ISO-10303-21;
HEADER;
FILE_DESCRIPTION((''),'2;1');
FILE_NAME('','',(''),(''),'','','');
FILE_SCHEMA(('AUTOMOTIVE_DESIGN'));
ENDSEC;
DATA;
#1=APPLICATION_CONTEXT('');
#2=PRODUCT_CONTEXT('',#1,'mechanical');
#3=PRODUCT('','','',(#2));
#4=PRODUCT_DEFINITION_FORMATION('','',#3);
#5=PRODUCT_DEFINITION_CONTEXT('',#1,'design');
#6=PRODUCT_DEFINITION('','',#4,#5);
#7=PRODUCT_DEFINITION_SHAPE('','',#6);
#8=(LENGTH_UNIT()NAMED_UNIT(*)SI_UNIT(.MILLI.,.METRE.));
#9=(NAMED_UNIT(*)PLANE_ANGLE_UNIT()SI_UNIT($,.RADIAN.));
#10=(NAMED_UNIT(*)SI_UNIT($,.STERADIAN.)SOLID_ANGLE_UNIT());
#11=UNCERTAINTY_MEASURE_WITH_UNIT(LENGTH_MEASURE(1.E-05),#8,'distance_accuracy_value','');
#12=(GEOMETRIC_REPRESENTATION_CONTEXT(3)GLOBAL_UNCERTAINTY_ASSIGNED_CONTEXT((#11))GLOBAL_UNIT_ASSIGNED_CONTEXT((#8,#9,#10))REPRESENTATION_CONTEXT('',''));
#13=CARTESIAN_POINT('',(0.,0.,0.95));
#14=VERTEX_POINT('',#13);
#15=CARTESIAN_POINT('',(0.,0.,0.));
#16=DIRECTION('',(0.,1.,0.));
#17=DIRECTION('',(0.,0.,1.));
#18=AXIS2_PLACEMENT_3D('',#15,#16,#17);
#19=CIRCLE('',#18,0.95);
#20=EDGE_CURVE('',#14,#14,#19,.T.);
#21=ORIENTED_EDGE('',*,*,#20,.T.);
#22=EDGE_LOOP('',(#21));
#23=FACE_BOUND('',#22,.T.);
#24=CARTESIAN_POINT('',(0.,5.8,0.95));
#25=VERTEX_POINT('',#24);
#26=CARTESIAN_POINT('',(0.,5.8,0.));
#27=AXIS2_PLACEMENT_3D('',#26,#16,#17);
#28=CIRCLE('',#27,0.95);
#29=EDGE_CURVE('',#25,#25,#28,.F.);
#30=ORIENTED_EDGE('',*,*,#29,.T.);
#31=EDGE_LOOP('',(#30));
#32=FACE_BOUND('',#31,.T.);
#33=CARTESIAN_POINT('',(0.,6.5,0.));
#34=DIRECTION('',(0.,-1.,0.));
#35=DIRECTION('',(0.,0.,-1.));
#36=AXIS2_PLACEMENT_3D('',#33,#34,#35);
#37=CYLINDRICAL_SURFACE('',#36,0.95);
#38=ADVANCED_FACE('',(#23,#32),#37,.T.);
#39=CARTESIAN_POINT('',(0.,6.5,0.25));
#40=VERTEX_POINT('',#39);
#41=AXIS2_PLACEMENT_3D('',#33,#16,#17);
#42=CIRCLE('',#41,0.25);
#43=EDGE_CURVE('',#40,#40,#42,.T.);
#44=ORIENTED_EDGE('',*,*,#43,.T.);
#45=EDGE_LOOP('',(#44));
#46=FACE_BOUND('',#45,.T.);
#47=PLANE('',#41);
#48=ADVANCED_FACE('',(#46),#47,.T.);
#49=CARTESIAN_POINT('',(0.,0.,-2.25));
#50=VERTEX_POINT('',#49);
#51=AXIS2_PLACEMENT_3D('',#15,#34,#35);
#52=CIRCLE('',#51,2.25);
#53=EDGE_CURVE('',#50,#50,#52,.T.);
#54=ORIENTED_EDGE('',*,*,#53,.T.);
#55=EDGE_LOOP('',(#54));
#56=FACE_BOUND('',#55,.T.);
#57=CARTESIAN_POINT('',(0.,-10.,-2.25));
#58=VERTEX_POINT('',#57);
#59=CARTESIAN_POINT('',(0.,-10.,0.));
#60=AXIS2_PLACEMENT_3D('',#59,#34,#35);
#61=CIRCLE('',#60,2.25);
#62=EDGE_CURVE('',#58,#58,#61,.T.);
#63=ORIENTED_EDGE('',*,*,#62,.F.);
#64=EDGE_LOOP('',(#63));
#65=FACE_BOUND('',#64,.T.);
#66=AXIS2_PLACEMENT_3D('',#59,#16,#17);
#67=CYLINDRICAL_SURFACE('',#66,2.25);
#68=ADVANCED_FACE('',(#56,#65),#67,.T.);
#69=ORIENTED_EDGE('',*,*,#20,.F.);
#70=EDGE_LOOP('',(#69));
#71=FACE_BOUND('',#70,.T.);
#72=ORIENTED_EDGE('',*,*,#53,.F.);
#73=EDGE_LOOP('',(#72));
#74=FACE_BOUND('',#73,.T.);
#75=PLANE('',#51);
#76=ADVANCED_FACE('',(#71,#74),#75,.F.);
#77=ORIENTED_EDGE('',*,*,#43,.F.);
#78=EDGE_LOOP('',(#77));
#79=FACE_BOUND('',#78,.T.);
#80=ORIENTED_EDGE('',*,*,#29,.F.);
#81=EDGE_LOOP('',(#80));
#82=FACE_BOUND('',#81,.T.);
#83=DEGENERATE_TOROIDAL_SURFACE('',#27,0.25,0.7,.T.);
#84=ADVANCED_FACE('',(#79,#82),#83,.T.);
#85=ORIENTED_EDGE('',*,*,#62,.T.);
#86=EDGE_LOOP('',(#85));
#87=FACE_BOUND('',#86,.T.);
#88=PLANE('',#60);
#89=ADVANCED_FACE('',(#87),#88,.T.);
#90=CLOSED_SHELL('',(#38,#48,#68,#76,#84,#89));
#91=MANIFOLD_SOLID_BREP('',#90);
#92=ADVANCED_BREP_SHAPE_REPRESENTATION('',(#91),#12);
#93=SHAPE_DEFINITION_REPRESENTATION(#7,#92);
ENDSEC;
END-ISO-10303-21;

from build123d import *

# Parameters (mm, degrees)
SKETCH1_R           = 0.95
BOSS_EXTRUDE1_DEPTH = 6.5
SKETCH2_R           = 2.25
BOSS_EXTRUDE2_DEPTH = 10
FILLET1_R           = 0.7


with BuildPart() as part:
    # Sketch1 → Boss-Extrude1 (new body)
    with BuildSketch(Plane(origin=(0, 0, 0), x_dir=(1, 0, 0), z_dir=(0, 1, 0))):
        Circle(SKETCH1_R)
    extrude(amount=BOSS_EXTRUDE1_DEPTH)

    # Sketch2 → Boss-Extrude2 (add)
    with BuildSketch(Plane(origin=(0, 0, 0), x_dir=(-1, 0, 0), z_dir=(0, -1, 0))):
        Circle(SKETCH2_R)
    extrude(amount=BOSS_EXTRUDE2_DEPTH)

    # Fillet1
    fillet1_edges = [part.edges().sort_by_distance(p)[0] for p in [
        (-0.95, 6.5, 0),
    ]]
    fillet(fillet1_edges, radius=FILLET1_R)


solid = part.part
